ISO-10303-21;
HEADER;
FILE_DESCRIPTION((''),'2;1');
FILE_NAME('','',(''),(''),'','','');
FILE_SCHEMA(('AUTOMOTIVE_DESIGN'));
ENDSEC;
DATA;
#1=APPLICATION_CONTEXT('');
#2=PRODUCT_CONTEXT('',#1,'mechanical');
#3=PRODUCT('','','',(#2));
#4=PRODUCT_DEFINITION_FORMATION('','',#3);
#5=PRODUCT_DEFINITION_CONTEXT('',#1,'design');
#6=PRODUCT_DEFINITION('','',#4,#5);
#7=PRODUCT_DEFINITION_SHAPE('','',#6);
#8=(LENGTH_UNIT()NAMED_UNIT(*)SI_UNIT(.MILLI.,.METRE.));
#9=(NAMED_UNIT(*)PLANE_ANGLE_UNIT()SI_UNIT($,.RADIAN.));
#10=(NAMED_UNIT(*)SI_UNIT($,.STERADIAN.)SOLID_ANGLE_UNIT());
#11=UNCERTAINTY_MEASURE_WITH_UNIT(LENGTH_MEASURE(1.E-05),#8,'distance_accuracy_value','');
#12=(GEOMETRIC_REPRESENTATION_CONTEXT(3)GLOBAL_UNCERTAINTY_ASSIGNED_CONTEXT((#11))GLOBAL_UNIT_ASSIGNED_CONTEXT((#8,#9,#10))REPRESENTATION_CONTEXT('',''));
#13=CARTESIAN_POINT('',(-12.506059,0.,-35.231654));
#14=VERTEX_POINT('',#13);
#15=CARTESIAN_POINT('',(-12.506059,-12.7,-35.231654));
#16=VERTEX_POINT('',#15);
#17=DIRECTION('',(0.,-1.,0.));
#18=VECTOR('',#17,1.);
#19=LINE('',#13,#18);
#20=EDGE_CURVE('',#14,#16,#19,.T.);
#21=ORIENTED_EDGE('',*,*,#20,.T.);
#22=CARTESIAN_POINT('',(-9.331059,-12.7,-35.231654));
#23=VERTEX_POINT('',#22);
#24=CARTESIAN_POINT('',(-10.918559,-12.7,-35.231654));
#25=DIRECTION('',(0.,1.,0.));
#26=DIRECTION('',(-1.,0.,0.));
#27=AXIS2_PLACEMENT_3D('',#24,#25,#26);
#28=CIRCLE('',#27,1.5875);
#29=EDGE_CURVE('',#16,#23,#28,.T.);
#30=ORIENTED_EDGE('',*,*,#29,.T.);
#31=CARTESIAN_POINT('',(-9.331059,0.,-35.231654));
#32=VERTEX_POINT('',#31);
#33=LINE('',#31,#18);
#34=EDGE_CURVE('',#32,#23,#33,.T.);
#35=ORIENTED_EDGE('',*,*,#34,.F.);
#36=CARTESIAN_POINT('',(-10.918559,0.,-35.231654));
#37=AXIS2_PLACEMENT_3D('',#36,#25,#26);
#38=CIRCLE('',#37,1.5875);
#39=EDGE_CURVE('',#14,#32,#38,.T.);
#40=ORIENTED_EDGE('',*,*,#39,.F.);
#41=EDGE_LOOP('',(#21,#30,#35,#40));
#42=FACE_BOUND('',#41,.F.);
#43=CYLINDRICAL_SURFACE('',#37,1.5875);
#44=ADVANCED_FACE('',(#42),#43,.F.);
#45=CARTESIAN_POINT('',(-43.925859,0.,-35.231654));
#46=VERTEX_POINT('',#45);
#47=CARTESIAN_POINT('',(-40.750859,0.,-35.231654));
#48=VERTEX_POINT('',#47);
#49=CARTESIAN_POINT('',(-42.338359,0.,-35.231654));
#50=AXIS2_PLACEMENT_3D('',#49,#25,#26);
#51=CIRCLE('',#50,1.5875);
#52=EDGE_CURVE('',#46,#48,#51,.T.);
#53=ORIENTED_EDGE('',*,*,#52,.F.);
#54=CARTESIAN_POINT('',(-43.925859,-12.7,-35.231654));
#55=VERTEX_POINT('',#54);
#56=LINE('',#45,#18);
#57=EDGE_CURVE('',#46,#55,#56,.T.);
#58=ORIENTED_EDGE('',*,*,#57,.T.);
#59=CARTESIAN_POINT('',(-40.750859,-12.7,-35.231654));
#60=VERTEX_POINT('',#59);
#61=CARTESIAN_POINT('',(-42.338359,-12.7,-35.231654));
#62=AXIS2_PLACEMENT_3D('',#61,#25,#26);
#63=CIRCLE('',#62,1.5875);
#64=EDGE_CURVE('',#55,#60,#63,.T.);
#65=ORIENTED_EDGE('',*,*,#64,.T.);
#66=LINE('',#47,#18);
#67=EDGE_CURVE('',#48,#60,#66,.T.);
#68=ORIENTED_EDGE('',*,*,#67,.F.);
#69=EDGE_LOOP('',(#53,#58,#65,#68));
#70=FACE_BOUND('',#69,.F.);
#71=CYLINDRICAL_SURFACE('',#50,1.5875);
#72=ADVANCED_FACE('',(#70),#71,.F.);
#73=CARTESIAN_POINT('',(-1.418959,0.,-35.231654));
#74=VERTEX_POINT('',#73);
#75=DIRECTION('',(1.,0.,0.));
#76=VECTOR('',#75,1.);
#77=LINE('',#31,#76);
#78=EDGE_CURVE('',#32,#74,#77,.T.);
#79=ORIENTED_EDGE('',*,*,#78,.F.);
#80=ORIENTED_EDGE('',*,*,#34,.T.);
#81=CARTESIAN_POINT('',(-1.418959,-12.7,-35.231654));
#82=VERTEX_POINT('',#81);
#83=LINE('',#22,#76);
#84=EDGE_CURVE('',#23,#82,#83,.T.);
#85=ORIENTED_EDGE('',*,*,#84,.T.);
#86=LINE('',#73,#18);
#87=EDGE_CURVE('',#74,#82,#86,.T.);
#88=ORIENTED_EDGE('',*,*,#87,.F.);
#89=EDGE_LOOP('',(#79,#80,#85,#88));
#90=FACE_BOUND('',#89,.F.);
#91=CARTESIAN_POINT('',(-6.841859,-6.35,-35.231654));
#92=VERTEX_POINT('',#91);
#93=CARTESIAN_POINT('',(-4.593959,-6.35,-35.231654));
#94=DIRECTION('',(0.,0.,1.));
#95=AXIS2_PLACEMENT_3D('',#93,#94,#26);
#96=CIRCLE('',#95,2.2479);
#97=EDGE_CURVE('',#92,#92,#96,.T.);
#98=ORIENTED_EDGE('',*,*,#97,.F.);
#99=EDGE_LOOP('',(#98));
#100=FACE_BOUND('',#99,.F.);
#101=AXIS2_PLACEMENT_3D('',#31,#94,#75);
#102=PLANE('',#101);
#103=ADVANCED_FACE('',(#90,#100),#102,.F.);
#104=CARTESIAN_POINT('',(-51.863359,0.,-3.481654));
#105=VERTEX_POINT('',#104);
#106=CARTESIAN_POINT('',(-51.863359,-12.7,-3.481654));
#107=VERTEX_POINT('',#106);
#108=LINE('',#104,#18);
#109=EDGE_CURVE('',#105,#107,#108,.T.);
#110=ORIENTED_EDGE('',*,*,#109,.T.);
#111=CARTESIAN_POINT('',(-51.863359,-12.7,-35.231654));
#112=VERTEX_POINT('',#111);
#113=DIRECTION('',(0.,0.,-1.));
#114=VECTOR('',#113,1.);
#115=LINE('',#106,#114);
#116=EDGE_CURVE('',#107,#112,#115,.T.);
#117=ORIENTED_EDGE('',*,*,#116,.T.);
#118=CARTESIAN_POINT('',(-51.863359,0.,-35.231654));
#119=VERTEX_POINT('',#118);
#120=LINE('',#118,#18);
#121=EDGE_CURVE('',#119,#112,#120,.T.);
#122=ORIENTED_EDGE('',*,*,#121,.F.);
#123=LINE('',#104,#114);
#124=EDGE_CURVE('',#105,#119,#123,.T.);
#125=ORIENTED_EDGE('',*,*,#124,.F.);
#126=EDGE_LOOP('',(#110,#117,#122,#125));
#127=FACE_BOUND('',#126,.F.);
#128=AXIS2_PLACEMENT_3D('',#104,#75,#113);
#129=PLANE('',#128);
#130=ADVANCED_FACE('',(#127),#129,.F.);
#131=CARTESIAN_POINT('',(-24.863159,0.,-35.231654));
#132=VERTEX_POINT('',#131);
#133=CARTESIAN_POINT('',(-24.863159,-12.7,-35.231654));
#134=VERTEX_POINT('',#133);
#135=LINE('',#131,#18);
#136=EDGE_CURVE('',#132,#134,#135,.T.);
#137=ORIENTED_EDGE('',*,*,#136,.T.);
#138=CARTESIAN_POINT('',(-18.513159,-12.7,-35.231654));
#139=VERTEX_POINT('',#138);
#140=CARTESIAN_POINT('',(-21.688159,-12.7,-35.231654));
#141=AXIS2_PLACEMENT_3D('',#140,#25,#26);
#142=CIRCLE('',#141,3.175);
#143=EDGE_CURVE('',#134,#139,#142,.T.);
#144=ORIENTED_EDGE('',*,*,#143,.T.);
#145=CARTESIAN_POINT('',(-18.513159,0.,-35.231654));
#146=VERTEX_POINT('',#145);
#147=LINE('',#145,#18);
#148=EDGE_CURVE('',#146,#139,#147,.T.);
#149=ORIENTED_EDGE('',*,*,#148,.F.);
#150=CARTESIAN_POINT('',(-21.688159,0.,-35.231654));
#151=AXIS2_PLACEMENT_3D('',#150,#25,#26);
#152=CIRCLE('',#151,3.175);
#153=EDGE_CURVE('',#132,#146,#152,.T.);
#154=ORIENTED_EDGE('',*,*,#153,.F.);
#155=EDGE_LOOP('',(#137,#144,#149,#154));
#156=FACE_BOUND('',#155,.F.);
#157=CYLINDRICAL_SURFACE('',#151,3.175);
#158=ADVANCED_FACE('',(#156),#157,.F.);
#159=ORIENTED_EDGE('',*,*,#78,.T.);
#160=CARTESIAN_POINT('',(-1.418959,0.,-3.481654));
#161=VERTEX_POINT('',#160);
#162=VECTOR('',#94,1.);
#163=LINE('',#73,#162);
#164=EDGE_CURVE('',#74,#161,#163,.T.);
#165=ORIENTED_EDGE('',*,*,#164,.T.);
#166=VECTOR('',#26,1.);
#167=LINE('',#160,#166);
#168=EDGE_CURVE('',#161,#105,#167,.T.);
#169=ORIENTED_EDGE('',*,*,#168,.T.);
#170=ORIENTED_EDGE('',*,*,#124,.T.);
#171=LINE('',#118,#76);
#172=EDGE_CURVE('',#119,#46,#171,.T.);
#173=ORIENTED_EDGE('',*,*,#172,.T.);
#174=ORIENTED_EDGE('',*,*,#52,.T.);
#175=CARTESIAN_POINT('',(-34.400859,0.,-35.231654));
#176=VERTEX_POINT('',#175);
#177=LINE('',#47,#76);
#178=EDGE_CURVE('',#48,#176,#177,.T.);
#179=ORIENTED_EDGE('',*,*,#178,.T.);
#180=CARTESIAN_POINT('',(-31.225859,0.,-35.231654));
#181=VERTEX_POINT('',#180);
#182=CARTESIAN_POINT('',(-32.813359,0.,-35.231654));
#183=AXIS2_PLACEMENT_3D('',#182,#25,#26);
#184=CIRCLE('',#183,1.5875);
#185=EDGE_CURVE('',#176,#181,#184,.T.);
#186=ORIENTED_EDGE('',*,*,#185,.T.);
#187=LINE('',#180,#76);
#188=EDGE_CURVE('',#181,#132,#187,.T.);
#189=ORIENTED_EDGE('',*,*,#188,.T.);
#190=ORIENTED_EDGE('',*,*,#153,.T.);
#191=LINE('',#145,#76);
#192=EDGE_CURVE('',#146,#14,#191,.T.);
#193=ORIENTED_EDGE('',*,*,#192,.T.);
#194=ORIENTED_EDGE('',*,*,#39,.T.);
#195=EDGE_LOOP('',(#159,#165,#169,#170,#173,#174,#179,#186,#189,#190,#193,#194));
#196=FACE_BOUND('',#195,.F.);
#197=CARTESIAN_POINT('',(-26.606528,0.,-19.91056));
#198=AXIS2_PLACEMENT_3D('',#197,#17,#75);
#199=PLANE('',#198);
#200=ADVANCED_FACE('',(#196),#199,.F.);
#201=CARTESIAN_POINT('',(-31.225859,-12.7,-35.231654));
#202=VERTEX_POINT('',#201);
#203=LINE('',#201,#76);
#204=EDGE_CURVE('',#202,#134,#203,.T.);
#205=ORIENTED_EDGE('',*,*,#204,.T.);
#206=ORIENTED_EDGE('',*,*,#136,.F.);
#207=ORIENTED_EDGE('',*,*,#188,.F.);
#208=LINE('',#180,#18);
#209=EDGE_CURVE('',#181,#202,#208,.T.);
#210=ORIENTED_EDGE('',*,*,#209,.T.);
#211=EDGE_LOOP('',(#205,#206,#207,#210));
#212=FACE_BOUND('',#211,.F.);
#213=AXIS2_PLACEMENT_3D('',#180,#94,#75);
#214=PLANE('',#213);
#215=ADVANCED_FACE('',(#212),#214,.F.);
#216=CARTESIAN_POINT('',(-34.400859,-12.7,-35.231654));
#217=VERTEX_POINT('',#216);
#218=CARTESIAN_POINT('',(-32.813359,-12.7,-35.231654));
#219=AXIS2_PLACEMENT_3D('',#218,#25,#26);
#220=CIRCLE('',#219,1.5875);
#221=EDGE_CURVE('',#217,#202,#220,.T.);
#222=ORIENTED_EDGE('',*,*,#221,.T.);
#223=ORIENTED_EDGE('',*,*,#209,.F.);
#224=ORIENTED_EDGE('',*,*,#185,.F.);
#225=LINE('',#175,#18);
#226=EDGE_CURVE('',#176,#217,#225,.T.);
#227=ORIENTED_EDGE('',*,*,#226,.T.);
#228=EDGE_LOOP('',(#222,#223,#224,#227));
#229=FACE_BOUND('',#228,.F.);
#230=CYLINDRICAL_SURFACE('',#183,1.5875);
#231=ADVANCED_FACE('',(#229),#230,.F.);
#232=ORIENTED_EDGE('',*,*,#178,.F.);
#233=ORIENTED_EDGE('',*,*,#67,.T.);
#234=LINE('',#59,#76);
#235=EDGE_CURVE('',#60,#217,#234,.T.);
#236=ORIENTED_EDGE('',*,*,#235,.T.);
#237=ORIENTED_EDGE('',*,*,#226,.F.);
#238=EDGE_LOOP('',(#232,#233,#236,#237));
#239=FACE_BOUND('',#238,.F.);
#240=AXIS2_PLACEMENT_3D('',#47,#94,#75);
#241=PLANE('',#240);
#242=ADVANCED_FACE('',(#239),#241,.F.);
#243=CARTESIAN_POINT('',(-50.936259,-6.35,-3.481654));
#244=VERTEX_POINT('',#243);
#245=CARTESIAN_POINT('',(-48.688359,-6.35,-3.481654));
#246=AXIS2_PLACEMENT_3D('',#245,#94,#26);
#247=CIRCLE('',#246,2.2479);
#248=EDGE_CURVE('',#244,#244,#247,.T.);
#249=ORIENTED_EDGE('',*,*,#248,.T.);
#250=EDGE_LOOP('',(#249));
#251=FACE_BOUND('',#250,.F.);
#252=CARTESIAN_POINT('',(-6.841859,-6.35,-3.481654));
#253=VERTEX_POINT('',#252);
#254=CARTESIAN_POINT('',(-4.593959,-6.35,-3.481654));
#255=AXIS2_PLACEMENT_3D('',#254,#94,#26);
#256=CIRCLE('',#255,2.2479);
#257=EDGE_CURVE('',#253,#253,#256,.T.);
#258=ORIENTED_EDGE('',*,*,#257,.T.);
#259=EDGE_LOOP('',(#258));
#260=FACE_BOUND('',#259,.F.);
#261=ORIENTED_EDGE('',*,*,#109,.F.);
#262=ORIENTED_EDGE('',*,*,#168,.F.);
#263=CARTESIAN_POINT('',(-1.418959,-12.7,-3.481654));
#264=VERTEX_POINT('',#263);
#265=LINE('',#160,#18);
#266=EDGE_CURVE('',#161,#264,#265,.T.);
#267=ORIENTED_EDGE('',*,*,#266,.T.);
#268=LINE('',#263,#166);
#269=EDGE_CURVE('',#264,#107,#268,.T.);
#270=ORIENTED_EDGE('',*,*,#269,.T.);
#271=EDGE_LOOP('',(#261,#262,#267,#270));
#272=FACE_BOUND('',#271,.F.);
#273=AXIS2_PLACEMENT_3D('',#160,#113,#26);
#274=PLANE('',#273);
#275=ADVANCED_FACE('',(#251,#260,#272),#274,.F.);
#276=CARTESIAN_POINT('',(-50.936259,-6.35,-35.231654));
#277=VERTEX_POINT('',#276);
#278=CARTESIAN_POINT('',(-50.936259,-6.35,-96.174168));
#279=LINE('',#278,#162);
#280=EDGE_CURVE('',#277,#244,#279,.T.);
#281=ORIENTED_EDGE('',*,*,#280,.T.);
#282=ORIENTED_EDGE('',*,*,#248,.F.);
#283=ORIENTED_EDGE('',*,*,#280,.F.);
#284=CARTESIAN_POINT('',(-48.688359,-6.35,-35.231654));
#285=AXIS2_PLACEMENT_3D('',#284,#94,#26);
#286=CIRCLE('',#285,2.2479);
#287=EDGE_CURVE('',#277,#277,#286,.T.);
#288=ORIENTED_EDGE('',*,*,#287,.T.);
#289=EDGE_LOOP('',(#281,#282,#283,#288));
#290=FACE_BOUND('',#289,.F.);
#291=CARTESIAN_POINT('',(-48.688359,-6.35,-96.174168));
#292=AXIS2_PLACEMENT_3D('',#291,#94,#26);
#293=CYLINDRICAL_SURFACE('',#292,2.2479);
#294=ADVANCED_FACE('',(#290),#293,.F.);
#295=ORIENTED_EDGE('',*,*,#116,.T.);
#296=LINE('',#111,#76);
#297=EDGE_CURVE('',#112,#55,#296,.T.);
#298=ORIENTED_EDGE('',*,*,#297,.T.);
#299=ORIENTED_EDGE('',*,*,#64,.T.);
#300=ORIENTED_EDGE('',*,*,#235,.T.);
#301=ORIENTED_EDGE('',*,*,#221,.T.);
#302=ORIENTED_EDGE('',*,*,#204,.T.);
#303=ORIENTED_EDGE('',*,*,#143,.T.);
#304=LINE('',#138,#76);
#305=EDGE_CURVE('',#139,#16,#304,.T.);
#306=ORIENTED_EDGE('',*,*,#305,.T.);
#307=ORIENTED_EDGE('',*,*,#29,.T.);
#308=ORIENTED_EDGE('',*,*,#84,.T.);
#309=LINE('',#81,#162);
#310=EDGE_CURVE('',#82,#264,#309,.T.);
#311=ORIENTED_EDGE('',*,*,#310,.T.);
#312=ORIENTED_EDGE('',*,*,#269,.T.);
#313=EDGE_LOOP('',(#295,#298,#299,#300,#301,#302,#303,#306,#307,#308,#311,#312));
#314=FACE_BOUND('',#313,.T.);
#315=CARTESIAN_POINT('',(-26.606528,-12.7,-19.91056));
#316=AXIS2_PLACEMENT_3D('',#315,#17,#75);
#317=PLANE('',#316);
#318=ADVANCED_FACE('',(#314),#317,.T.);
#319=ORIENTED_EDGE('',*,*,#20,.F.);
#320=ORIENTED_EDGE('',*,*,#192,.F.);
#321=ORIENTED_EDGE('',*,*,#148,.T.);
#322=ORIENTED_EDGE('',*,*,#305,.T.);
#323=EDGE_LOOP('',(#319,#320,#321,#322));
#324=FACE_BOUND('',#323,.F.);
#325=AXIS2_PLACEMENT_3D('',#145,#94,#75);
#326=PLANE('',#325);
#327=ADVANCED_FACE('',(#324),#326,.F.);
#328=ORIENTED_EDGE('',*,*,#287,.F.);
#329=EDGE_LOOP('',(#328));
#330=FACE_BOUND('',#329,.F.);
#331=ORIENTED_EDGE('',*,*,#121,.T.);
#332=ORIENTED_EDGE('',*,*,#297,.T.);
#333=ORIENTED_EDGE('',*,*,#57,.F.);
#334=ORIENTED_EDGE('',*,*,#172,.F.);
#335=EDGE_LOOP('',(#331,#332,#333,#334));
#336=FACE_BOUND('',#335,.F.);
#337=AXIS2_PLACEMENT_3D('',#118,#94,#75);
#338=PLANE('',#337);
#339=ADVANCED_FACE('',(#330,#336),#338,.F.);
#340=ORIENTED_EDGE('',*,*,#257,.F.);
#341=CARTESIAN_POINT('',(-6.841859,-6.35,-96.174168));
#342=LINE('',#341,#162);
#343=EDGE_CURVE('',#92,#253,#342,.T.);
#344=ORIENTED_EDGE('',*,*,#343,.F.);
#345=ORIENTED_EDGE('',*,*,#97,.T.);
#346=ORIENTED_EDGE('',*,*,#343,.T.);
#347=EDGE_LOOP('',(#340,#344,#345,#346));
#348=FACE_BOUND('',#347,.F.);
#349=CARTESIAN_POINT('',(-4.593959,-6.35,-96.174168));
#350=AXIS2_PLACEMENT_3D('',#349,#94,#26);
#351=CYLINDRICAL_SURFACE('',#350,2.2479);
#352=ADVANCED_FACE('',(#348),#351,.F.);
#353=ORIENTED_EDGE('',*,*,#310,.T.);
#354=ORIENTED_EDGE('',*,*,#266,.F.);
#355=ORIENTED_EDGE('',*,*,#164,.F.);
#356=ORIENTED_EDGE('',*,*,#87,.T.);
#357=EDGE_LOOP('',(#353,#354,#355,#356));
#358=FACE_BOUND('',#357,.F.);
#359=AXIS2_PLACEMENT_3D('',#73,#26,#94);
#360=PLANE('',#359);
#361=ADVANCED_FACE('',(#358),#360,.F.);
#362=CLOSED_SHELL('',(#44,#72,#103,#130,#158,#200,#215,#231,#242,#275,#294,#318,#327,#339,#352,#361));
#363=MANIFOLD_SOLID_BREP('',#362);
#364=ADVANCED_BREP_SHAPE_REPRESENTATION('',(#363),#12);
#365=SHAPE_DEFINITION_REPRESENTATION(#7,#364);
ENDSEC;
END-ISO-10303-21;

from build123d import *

# Parameters (mm, degrees)
F1_DEPTH   = 12.7
F4_D       = 4.4958
F4_ON_F3_D = 4.4958


with BuildPart() as f1:
    # F0 (on Front) → F1 (new body)
    with BuildSketch(Plane.XZ):
        with BuildLine():
            Line((-51.8633585078, -3.48165389), (-51.8633585078, -35.23165389))
            Line((-51.8633585078, -35.23165389), (-43.9258585078, -35.23165389))
            ThreePointArc((-43.9258585078, -35.23165389), (-42.3383585078, -33.64415389), (-40.7508585078, -35.23165389))
            Line((-40.7508585078, -35.23165389), (-34.4008585078, -35.23165389))
            ThreePointArc((-34.4008585078, -35.23165389), (-32.8133585078, -33.64415389), (-31.2258585078, -35.23165389))
            Line((-31.2258585078, -35.23165389), (-24.8631585078, -35.23165389))
            ThreePointArc((-24.8631585078, -35.23165389), (-21.6881585078, -32.05665389), (-18.5131585078, -35.23165389))
            Line((-18.5131585078, -35.23165389), (-12.5060585078, -35.23165389))
            ThreePointArc((-12.5060585078, -35.23165389), (-10.9185585078, -33.64415389), (-9.3310585078, -35.23165389))
            Line((-9.3310585078, -35.23165389), (-1.4189585078, -35.23165389))
            Line((-1.4189585078, -35.23165389), (-1.4189585078, -3.48165389))
            Line((-1.4189585078, -3.48165389), (-51.8633585078, -3.48165389))
        make_face()
    extrude(amount=F1_DEPTH)

    # F4 (through all)
    with Locations(Plane(origin=(0, 0, -35.23165389), x_dir=(1, 0, 0), z_dir=(0, 0, -1))):
        with Locations((-48.6883585078, 6.35)):
            Hole(F4_D / 2)

    # F4 on F3 (through all)
    with Locations(Plane(origin=(0, 0, -35.23165389), x_dir=(1, 0, 0), z_dir=(0, 0, -1))):
        with Locations((-4.5939585078, 6.35)):
            Hole(F4_ON_F3_D / 2)


solid = f1.part
